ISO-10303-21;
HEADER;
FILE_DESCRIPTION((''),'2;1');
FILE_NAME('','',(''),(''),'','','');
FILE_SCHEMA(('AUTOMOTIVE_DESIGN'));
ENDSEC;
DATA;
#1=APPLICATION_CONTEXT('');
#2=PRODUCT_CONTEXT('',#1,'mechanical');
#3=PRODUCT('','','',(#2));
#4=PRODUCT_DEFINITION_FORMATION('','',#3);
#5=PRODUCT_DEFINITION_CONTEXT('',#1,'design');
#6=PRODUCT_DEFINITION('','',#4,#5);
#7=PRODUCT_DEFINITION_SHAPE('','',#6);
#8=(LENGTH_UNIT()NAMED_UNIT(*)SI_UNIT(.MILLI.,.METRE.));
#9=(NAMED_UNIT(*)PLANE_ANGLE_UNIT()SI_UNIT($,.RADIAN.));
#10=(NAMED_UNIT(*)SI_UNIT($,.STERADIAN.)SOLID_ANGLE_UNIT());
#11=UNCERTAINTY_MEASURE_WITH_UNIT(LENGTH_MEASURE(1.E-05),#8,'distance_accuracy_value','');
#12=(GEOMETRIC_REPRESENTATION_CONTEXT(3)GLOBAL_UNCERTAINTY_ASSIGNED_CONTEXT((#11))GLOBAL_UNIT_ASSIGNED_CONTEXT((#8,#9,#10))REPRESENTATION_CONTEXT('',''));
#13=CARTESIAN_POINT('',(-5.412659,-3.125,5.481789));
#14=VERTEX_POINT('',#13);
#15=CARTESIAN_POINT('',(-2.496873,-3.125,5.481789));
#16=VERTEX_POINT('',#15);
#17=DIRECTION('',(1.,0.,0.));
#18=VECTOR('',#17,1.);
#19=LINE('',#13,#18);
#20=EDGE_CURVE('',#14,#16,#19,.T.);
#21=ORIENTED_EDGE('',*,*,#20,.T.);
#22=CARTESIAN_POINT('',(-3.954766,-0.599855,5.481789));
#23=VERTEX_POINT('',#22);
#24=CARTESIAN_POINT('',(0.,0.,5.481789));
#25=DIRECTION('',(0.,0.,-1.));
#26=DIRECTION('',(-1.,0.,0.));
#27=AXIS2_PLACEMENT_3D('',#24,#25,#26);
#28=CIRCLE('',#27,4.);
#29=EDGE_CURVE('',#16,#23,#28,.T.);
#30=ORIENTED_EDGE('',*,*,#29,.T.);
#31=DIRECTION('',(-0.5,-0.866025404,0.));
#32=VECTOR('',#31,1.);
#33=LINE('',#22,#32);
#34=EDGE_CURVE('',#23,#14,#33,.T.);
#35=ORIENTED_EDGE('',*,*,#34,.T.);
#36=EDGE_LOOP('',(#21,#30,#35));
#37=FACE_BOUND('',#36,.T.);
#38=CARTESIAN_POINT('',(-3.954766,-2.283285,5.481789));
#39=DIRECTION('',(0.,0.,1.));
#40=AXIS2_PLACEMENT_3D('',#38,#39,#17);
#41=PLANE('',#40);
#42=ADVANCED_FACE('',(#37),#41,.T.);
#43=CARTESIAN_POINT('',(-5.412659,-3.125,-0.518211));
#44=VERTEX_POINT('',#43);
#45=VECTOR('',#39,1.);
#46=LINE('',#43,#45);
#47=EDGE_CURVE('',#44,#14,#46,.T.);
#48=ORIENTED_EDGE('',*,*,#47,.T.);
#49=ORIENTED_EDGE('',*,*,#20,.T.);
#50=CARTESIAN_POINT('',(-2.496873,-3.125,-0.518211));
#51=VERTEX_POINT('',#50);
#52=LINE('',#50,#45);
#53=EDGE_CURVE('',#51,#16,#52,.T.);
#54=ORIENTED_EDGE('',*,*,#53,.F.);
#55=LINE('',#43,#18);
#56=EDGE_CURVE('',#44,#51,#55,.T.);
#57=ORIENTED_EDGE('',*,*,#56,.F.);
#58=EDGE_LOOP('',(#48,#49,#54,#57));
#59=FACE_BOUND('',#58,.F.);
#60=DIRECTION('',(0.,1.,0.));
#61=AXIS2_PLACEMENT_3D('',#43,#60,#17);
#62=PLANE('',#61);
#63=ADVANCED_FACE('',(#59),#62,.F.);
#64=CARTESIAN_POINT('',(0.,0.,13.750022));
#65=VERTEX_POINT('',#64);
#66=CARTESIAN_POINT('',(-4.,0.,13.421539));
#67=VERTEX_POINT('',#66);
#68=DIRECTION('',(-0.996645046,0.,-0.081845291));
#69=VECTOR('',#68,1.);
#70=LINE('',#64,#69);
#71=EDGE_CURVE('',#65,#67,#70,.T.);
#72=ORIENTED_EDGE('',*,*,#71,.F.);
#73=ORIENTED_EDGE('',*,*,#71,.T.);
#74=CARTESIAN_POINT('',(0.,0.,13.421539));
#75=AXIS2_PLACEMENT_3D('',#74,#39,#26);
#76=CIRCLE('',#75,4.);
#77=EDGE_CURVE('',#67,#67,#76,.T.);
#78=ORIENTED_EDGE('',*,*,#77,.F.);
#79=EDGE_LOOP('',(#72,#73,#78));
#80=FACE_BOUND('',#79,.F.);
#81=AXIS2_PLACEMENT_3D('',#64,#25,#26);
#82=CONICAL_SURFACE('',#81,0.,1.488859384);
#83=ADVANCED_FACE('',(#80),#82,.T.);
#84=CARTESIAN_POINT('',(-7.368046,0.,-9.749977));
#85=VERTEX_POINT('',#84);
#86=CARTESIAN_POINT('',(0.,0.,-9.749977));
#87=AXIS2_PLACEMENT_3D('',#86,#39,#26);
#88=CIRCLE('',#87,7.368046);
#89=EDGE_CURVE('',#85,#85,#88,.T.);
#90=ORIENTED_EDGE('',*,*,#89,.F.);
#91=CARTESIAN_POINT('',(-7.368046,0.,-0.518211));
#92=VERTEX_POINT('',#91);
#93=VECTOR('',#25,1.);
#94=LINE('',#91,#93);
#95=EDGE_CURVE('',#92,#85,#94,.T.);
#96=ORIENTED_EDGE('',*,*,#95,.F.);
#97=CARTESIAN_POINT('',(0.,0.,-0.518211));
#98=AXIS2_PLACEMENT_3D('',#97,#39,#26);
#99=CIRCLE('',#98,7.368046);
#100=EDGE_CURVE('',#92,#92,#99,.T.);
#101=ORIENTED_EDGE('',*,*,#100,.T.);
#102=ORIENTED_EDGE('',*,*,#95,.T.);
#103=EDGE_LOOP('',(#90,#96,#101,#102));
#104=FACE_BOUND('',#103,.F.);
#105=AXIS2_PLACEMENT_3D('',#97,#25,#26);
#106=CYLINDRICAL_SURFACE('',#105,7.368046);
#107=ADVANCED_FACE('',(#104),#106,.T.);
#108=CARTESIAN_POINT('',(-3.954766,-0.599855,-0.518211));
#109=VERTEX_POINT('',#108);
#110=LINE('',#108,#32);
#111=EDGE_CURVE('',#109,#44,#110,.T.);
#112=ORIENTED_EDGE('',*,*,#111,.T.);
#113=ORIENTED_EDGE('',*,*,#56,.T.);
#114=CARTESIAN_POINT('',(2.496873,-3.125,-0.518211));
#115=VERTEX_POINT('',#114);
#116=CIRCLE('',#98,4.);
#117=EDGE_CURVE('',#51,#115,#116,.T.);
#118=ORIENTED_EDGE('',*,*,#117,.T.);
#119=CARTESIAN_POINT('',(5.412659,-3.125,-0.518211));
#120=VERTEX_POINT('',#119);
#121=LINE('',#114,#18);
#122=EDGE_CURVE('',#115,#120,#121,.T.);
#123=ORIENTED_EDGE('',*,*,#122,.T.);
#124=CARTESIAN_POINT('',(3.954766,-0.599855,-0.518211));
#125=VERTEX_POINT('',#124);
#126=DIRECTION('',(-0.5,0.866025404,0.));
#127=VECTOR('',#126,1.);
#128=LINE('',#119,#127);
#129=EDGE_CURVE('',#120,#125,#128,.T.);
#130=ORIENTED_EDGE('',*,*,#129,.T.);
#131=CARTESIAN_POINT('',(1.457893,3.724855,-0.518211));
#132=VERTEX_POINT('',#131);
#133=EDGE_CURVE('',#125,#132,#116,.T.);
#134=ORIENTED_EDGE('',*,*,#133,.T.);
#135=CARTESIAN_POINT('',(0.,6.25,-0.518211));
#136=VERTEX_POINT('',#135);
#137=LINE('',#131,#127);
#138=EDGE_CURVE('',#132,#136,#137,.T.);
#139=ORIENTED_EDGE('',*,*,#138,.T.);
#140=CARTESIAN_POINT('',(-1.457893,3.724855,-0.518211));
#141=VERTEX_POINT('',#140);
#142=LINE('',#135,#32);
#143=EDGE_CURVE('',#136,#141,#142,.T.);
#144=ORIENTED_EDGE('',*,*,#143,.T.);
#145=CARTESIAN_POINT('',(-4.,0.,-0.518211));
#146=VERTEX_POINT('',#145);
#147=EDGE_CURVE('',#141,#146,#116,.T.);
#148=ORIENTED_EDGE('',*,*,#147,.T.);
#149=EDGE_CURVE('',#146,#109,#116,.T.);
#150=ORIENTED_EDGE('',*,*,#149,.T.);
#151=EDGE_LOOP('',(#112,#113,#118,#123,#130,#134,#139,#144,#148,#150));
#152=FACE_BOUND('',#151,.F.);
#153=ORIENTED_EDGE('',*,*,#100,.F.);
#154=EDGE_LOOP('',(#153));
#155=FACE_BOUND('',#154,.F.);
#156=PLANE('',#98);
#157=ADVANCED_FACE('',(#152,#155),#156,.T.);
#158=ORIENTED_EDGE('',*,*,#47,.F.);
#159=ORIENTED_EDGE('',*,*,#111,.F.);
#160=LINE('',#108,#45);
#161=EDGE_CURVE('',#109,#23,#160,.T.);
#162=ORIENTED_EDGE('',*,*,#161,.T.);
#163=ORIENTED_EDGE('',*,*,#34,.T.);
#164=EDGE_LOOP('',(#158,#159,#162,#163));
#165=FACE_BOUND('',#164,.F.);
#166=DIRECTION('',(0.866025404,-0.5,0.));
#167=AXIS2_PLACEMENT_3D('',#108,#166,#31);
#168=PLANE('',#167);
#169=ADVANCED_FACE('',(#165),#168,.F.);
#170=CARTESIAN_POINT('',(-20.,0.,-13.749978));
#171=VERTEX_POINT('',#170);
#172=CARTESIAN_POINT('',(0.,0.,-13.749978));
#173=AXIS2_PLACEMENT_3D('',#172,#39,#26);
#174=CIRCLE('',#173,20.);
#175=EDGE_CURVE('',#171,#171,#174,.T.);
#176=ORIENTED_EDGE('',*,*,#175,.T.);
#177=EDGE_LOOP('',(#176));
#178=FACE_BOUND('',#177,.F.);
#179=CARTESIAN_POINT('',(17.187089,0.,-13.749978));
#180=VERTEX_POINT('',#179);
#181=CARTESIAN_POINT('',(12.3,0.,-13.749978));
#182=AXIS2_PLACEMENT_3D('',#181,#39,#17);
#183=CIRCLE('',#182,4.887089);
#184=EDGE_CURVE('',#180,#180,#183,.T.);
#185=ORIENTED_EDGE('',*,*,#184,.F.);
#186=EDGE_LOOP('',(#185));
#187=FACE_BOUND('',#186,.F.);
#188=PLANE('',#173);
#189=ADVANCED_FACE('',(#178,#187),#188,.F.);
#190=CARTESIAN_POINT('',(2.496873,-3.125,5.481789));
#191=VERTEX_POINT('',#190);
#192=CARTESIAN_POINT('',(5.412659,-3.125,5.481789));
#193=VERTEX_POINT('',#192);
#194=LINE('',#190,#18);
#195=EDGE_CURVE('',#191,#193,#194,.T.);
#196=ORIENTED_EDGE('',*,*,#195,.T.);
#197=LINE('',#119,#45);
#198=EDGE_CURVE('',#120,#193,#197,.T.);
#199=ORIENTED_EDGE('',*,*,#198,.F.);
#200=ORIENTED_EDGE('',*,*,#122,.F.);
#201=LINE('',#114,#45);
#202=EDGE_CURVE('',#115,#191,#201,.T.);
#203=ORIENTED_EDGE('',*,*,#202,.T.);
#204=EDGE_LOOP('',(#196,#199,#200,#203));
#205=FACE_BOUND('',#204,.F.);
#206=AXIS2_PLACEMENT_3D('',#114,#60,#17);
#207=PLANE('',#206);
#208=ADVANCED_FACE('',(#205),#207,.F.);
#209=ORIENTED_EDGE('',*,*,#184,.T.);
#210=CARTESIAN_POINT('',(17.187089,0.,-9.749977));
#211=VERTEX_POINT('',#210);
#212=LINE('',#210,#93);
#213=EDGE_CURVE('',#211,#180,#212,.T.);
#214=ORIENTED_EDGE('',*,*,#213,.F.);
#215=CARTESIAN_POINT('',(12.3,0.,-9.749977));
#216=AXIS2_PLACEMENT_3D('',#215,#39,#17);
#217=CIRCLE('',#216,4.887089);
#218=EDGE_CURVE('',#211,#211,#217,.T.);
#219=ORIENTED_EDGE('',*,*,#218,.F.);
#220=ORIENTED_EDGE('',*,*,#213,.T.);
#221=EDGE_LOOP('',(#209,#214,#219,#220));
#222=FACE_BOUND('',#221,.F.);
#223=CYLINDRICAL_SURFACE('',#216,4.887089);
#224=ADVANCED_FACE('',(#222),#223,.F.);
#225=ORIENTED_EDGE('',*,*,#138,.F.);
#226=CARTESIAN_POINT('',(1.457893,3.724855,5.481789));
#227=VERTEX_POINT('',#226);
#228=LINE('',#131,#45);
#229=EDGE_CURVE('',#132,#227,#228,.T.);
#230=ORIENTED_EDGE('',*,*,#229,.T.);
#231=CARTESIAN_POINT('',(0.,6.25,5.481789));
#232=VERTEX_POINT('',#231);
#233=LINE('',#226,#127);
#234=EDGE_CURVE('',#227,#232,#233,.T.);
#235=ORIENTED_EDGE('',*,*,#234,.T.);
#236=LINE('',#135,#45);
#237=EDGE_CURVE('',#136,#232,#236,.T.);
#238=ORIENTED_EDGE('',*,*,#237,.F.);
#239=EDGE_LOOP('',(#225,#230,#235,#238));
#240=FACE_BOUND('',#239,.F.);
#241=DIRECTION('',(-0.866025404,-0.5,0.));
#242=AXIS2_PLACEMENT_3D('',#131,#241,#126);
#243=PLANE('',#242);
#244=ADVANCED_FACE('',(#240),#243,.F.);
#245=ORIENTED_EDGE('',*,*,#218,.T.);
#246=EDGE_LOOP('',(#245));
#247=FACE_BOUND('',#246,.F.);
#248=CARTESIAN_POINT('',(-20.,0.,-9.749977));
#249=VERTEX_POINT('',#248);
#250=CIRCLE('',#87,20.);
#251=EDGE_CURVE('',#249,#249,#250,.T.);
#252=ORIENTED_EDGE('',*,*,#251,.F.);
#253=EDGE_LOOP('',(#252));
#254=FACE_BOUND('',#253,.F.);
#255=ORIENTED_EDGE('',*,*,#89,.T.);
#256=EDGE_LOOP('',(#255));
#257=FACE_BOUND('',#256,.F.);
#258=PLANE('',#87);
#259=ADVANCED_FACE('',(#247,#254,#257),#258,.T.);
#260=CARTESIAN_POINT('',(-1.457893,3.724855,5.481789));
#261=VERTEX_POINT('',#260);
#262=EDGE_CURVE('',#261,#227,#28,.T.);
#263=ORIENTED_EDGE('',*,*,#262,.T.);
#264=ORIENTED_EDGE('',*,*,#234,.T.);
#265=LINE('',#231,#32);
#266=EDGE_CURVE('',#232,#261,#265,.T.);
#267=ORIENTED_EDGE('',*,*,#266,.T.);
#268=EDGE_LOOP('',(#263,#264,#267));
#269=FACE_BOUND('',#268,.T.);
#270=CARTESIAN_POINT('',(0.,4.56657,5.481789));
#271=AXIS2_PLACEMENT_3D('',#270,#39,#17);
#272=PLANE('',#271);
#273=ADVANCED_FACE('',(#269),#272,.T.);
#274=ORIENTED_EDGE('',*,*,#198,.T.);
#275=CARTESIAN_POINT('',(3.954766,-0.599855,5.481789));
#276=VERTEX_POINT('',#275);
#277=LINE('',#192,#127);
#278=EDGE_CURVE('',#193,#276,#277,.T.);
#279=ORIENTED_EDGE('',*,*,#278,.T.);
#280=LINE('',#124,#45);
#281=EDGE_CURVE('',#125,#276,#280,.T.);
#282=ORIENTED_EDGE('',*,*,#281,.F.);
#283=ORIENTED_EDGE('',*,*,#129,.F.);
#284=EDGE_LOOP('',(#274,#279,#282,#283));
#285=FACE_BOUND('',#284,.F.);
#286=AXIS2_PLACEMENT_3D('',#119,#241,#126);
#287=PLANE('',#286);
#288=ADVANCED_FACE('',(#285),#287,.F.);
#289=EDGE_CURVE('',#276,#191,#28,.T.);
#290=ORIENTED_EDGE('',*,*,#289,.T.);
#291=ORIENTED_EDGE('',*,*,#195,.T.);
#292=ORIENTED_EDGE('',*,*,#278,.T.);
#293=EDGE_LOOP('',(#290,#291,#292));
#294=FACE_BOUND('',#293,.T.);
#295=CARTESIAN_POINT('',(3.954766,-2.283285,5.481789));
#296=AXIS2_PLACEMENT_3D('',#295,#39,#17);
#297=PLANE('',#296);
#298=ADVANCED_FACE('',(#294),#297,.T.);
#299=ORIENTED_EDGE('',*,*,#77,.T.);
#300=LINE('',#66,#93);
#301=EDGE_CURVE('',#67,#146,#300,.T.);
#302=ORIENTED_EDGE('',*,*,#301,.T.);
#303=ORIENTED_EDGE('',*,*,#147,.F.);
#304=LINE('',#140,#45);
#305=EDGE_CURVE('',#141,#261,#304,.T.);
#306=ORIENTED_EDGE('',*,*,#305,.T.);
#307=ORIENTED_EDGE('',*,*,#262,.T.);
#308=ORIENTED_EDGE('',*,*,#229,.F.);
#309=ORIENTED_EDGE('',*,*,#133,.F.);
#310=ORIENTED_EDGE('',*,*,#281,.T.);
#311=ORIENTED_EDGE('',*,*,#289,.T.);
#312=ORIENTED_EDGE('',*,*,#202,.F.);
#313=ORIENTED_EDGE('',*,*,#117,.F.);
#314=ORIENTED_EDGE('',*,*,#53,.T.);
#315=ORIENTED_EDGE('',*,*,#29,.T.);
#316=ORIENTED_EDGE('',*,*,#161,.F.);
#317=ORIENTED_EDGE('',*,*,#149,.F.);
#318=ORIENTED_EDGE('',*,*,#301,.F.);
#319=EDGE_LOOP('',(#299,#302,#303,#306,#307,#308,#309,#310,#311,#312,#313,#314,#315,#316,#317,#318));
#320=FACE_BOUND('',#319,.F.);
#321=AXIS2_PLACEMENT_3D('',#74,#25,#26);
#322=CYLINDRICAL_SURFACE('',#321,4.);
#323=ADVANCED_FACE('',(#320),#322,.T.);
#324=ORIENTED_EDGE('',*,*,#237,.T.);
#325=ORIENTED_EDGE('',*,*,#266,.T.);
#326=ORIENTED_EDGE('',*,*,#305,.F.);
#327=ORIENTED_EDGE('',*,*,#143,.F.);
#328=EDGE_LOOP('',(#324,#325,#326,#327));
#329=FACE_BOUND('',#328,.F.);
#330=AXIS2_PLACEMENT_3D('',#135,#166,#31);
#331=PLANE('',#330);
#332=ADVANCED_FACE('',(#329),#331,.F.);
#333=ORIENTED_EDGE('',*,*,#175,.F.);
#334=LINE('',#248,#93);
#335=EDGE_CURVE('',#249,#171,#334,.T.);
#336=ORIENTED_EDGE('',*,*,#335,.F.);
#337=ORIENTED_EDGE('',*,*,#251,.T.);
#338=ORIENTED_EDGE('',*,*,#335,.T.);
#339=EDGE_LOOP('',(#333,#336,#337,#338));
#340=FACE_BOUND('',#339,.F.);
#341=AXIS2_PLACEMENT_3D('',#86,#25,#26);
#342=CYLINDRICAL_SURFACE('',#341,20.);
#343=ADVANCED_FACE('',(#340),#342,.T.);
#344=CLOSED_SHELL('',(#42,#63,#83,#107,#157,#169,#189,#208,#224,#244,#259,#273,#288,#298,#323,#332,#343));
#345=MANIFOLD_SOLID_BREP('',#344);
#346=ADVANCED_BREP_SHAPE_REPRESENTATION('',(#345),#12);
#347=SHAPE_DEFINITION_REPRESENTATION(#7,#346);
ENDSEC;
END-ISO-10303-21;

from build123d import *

# Parameters (mm, degrees)
F3_DEPTH = 6
F4_R     = 4.8870891215
F5_DEPTH = 4.0010006557


with BuildPart() as f1:
    # F0 (on Front) → F1 (revolve)
    with BuildSketch(Plane.XZ):
        Polygon((-7.3680463247, -9.7499769181), (-20, -9.7499769181), (-20, -13.7499775738), (0, -13.7499775738), (0, 13.7500224262), (-4, 13.4215392172), (-4, -0.5182113382), (-7.3680463247, -0.5182113382), align=None)
    revolve(axis=Axis((0, 0, 2.24262e-05), (0, 0, 1)))

    # F2 (on face) → F3 (join)
    with BuildSketch(Plane.XY.offset(-0.5182113382)):
        Polygon((-1.4578928646, 3.7248554865), (1.4578928646, 3.7248554865), (0, 6.25), align=None)
        Polygon((-3.954765909, -0.5998554865), (-5.4126587737, -3.125), (-2.4968730444, -3.125), align=None)
        Polygon((2.4968730444, -3.125), (5.4126587737, -3.125), (3.954765909, -0.5998554865), align=None)
    extrude(amount=F3_DEPTH)

    # F4 (on face) → F5 (cut, through all)
    with BuildSketch(Plane.XY.offset(-9.7499769181)):
        with Locations((12.3, 0)):
            Circle(F4_R)
    extrude(amount=-F5_DEPTH, mode=Mode.SUBTRACT)


solid = f1.part
